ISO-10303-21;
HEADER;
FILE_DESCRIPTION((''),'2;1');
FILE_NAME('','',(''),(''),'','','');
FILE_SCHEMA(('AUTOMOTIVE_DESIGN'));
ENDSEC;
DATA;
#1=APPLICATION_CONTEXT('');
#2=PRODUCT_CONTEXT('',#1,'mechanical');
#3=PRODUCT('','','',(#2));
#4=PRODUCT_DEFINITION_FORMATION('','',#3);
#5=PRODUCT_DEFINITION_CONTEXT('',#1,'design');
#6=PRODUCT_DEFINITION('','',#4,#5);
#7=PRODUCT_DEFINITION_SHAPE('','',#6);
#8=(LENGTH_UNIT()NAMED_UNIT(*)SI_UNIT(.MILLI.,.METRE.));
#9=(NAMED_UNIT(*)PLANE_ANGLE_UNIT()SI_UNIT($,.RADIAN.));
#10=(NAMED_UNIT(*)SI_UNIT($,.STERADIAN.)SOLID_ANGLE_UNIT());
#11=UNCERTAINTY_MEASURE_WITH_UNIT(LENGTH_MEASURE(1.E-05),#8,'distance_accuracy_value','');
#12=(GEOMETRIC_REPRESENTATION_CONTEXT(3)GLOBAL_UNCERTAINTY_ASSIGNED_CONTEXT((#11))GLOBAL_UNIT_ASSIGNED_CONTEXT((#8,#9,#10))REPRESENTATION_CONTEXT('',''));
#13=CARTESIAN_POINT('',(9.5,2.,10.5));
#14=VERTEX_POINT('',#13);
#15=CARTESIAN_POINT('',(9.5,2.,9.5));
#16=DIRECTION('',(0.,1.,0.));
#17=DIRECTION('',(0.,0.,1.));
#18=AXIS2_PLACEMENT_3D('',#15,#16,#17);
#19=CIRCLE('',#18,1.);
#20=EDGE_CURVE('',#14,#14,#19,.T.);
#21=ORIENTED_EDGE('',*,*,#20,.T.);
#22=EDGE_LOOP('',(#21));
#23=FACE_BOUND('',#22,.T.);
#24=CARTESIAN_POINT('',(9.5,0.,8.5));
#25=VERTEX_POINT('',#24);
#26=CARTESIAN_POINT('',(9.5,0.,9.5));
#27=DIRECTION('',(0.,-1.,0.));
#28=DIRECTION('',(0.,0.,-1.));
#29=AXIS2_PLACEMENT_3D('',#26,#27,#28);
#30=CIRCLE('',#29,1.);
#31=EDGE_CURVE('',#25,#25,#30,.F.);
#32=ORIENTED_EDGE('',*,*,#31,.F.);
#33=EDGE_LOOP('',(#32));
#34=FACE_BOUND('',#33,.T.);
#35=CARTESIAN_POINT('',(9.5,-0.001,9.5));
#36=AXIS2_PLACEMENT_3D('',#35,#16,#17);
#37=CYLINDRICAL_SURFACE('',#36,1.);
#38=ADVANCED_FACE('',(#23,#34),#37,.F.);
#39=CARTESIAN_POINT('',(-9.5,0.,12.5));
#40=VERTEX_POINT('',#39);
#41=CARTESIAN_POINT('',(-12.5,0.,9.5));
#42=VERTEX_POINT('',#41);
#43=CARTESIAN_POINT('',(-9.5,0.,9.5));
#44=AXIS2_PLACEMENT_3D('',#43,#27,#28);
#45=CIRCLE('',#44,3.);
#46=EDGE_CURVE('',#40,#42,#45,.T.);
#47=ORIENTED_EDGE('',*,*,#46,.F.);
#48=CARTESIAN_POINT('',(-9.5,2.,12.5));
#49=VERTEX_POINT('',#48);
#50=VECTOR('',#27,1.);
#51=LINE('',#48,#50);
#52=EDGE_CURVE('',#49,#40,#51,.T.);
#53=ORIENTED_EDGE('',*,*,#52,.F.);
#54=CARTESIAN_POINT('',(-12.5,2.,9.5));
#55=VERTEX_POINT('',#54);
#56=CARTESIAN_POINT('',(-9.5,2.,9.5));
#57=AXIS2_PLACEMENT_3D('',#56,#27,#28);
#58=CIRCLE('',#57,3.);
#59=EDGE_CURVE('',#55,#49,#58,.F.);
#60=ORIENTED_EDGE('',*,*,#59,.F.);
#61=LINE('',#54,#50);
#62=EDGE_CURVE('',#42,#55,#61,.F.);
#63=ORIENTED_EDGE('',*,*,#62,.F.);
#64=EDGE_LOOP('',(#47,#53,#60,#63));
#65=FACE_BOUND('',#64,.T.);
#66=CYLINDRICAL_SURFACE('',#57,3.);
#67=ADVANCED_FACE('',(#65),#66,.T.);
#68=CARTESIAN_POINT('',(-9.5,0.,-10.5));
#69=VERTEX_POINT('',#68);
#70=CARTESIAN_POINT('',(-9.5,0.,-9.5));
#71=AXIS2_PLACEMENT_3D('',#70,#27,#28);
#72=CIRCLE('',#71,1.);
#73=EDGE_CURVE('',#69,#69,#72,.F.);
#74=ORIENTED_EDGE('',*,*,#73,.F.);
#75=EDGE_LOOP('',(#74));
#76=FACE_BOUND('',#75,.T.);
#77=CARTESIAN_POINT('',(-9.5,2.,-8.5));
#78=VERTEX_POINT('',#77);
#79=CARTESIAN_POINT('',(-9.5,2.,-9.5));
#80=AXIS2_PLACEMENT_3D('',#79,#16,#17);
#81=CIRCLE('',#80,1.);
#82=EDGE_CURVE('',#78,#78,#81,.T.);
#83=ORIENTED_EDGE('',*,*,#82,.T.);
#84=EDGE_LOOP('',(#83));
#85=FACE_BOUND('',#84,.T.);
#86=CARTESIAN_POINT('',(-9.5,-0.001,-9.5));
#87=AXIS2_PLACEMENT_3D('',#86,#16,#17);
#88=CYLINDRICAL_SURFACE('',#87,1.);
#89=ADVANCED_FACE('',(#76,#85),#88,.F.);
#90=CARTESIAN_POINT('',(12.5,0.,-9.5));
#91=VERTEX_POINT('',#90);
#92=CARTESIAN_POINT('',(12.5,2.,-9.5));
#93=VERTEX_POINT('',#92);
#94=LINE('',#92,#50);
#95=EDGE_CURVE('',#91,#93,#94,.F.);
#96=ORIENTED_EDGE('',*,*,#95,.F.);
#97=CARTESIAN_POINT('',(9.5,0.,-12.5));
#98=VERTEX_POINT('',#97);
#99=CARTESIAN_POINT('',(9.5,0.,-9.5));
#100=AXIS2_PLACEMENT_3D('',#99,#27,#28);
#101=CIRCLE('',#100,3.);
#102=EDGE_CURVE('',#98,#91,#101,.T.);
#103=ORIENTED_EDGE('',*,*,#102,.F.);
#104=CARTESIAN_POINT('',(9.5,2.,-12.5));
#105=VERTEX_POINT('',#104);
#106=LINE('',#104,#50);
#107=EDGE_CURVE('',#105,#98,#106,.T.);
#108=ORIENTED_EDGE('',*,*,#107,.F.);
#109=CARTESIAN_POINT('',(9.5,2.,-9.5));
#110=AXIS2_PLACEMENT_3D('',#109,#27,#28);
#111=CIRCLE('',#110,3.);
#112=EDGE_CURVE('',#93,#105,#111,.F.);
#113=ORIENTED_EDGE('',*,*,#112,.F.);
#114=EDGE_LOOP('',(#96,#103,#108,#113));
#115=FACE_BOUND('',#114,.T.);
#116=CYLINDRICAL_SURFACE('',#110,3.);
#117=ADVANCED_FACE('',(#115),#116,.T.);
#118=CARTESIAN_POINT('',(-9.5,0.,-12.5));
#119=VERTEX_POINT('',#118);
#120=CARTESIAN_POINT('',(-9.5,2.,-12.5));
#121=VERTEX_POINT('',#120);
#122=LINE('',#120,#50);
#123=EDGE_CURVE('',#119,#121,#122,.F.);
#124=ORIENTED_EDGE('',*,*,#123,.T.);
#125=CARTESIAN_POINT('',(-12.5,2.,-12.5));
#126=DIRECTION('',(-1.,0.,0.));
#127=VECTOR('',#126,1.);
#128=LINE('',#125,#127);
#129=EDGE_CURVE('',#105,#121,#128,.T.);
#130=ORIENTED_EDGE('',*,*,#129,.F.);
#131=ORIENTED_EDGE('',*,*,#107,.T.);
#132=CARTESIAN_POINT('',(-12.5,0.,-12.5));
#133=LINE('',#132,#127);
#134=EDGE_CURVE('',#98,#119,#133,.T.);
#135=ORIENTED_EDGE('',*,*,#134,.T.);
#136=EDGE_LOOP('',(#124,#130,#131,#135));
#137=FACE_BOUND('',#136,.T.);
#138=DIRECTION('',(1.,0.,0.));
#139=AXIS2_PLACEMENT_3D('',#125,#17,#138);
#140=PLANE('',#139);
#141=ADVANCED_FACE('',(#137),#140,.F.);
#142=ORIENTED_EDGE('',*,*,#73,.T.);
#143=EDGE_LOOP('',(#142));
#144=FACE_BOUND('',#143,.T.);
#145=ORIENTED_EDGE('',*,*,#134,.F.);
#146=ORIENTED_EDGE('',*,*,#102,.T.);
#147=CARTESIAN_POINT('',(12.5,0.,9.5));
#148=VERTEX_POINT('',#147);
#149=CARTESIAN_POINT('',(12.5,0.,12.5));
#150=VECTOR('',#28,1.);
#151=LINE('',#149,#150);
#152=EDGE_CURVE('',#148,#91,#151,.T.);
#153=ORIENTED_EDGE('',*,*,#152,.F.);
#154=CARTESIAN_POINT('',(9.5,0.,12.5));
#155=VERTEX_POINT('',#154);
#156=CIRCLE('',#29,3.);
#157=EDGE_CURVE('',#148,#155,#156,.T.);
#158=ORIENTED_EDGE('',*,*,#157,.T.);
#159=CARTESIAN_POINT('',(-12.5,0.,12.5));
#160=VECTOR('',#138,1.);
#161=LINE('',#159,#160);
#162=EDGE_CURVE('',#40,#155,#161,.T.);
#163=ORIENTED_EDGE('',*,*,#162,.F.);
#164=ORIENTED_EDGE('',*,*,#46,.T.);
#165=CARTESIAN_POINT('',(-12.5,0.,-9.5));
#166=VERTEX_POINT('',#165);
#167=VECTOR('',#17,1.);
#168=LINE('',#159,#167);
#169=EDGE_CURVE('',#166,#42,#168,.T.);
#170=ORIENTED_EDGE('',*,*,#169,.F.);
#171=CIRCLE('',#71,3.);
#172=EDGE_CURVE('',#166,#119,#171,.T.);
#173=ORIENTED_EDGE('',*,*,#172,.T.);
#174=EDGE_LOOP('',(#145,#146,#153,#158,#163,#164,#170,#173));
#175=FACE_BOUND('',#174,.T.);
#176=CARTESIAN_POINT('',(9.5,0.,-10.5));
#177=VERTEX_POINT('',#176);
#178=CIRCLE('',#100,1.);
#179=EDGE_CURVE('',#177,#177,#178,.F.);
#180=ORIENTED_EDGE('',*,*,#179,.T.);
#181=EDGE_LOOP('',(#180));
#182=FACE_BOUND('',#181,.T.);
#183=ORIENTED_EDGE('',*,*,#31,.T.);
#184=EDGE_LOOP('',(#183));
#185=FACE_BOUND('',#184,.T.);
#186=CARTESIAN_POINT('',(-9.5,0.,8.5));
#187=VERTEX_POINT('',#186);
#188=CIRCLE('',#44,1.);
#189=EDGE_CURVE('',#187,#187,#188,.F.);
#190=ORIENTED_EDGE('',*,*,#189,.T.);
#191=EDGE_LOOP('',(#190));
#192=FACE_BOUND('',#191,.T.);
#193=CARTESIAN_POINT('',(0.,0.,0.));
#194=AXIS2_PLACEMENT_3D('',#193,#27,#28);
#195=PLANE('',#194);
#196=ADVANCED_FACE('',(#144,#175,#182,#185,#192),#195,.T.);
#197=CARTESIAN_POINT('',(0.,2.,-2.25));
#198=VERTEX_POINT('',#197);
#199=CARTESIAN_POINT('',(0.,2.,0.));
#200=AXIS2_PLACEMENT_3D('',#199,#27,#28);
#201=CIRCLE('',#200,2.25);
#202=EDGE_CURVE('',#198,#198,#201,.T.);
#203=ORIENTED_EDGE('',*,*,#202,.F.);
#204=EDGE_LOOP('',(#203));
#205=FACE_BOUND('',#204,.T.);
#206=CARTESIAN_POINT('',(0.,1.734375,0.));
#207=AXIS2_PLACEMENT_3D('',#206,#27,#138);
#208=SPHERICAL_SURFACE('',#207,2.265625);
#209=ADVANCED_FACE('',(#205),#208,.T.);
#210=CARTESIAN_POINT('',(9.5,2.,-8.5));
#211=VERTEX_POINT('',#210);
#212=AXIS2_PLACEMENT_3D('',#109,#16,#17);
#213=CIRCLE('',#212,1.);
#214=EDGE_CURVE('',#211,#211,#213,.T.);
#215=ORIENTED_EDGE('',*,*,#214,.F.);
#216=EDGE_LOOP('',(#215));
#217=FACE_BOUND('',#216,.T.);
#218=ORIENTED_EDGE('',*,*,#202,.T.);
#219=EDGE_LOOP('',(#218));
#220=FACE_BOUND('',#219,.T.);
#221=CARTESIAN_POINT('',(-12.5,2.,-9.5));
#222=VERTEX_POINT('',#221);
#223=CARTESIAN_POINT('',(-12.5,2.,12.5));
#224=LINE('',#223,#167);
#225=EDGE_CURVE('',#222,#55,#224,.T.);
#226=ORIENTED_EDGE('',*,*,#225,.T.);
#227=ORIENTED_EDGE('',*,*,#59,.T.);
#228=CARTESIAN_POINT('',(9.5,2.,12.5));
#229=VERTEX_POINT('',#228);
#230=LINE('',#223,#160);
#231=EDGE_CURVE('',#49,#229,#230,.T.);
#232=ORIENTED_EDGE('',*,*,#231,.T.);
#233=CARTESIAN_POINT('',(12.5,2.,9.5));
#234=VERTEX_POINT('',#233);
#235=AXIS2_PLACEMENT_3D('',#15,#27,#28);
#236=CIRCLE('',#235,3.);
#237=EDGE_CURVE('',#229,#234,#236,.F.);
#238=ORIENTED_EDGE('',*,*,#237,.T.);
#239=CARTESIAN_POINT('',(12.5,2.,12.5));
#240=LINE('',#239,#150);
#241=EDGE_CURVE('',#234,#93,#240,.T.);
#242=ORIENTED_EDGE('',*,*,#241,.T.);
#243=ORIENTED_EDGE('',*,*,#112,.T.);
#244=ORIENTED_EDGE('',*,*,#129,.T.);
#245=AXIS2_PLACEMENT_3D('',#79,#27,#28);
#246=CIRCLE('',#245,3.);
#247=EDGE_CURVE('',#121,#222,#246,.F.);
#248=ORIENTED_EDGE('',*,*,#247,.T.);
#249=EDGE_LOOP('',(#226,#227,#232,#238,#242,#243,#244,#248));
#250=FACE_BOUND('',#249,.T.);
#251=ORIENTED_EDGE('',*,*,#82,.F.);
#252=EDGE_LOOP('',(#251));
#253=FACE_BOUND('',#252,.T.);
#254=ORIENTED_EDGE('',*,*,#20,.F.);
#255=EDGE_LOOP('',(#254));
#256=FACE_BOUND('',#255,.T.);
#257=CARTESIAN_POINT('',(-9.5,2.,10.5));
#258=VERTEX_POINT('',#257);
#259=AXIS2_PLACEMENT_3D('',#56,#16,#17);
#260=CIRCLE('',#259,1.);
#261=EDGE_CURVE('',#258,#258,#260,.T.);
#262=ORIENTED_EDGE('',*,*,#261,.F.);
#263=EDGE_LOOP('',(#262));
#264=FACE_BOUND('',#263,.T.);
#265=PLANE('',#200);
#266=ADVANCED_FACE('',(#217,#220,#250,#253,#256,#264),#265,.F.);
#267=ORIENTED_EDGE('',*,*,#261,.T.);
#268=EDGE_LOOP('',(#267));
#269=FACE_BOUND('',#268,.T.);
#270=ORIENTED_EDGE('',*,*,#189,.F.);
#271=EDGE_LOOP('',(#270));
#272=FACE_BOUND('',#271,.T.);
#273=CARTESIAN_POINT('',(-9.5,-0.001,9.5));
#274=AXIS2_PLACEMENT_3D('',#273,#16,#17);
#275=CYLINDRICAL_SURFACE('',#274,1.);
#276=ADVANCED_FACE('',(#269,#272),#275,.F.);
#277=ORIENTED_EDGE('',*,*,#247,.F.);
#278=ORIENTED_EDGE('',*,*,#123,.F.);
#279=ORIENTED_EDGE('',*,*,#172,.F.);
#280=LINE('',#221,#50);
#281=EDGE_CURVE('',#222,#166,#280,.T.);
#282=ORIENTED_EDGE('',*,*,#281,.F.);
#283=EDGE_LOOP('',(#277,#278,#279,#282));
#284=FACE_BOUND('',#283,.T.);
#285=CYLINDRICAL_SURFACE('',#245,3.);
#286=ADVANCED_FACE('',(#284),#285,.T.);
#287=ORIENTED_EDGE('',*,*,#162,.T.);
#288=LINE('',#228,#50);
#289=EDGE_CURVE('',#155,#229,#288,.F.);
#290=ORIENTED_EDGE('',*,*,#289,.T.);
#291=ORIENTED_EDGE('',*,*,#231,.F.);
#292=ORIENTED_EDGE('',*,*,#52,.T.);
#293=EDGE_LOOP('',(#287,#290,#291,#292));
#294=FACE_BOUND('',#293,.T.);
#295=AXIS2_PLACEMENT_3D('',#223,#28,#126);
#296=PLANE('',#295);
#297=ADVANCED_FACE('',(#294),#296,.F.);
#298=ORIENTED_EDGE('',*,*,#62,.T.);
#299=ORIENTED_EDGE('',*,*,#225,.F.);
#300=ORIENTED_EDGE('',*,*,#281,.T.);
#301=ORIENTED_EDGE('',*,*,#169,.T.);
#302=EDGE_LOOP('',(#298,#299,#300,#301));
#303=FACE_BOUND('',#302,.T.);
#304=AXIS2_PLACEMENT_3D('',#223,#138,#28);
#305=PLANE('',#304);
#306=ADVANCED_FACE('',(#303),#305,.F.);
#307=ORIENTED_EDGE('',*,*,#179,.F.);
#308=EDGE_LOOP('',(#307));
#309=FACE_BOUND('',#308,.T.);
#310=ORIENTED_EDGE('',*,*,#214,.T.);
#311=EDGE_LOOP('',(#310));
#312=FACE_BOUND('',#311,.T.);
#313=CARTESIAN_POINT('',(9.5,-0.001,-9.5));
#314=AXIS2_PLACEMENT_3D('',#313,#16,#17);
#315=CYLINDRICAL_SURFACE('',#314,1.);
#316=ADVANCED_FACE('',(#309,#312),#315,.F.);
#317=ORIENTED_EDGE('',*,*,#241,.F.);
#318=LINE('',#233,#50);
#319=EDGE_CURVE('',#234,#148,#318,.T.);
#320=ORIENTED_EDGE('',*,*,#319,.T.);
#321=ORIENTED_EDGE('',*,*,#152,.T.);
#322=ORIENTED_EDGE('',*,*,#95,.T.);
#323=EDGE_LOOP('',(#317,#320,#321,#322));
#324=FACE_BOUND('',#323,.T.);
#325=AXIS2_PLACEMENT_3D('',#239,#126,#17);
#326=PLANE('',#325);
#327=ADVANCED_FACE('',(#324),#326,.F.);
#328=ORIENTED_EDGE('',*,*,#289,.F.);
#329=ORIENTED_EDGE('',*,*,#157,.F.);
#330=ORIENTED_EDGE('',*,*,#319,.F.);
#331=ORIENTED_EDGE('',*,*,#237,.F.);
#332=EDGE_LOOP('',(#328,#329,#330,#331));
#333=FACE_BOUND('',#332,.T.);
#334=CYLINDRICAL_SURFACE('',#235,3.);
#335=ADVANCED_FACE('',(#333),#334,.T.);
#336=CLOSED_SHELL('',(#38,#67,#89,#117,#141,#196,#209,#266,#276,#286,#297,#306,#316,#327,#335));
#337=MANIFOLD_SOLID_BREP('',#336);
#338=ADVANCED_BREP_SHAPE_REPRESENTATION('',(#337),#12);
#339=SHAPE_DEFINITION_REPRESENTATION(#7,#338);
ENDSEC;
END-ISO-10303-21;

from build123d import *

# Parameters (mm, degrees)
SKETCH1_W           = 25
SKETCH1_H           = 25
BOSS_EXTRUDE1_DEPTH = 2
FILLET1_R           = 3
CUT_EXTRUDE1_REACH  = 4
SKETCH2_R           = 1


with BuildPart() as part:
    # Sketch1 → Boss-Extrude1 (new body)
    with BuildSketch(Plane(origin=(0, 0, 0), x_dir=(1, 0, 0), z_dir=(0, 1, 0))):
        Rectangle(SKETCH1_W, SKETCH1_H)
    extrude(amount=BOSS_EXTRUDE1_DEPTH)

    # Fillet1
    fillet1_edges = [part.edges().sort_by_distance(p)[0] for p in [
        (12.5, 1, 12.5),
        (-12.5, 1, 12.5),
        (-12.5, 1, -12.5),
        (12.5, 1, -12.5),
    ]]
    fillet(fillet1_edges, radius=FILLET1_R)

    # Sketch2 → Cut-Extrude1 (cut, up to next)
    with BuildSketch(Plane(origin=(0, 2, 0), x_dir=(1, 0, 0), z_dir=(0, 1, 0)), mode=Mode.PRIVATE) as cut_extrude1_sk1:
        with Locations((-9.5, 9.5)):
            Circle(SKETCH2_R)
    cut_extrude1_tool1 = extrude(cut_extrude1_sk1.sketch, amount=-CUT_EXTRUDE1_REACH, mode=Mode.PRIVATE) & part.part
    add(cut_extrude1_tool1.solids().sort_by_distance((-9.5, 2, -9.5))[0], mode=Mode.SUBTRACT)
    # Sketch2 → Cut-Extrude1 (cut, up to next)
    with BuildSketch(Plane(origin=(0, 2, 0), x_dir=(1, 0, 0), z_dir=(0, 1, 0)), mode=Mode.PRIVATE) as cut_extrude1_sk2:
        with Locations((9.5, 9.5)):
            Circle(SKETCH2_R)
    cut_extrude1_tool2 = extrude(cut_extrude1_sk2.sketch, amount=-CUT_EXTRUDE1_REACH, mode=Mode.PRIVATE) & part.part
    add(cut_extrude1_tool2.solids().sort_by_distance((9.5, 2, -9.5))[0], mode=Mode.SUBTRACT)
    # Sketch2 → Cut-Extrude1 (cut, up to next)
    with BuildSketch(Plane(origin=(0, 2, 0), x_dir=(1, 0, 0), z_dir=(0, 1, 0)), mode=Mode.PRIVATE) as cut_extrude1_sk3:
        with Locations((9.5, -9.5)):
            Circle(SKETCH2_R)
    cut_extrude1_tool3 = extrude(cut_extrude1_sk3.sketch, amount=-CUT_EXTRUDE1_REACH, mode=Mode.PRIVATE) & part.part
    add(cut_extrude1_tool3.solids().sort_by_distance((9.5, 2, 9.5))[0], mode=Mode.SUBTRACT)
    # Sketch2 → Cut-Extrude1 (cut, up to next)
    with BuildSketch(Plane(origin=(0, 2, 0), x_dir=(1, 0, 0), z_dir=(0, 1, 0)), mode=Mode.PRIVATE) as cut_extrude1_sk4:
        with Locations((-9.5, -9.5)):
            Circle(SKETCH2_R)
    cut_extrude1_tool4 = extrude(cut_extrude1_sk4.sketch, amount=-CUT_EXTRUDE1_REACH, mode=Mode.PRIVATE) & part.part
    add(cut_extrude1_tool4.solids().sort_by_distance((-9.5, 2, 9.5))[0], mode=Mode.SUBTRACT)

    # Sketch3 → Revolve1 (revolve)
    with BuildSketch(Plane.XY):
        with BuildLine():
            Line((0, 2), (0, 4))
            ThreePointArc((0, 4), (1.505199322, 3.427724238), (2.25, 2))
            Line((2.25, 2), (0, 2))
        make_face()
    revolve(axis=Axis((0, 2, 0), (0, 1, 0)))


solid = part.part
